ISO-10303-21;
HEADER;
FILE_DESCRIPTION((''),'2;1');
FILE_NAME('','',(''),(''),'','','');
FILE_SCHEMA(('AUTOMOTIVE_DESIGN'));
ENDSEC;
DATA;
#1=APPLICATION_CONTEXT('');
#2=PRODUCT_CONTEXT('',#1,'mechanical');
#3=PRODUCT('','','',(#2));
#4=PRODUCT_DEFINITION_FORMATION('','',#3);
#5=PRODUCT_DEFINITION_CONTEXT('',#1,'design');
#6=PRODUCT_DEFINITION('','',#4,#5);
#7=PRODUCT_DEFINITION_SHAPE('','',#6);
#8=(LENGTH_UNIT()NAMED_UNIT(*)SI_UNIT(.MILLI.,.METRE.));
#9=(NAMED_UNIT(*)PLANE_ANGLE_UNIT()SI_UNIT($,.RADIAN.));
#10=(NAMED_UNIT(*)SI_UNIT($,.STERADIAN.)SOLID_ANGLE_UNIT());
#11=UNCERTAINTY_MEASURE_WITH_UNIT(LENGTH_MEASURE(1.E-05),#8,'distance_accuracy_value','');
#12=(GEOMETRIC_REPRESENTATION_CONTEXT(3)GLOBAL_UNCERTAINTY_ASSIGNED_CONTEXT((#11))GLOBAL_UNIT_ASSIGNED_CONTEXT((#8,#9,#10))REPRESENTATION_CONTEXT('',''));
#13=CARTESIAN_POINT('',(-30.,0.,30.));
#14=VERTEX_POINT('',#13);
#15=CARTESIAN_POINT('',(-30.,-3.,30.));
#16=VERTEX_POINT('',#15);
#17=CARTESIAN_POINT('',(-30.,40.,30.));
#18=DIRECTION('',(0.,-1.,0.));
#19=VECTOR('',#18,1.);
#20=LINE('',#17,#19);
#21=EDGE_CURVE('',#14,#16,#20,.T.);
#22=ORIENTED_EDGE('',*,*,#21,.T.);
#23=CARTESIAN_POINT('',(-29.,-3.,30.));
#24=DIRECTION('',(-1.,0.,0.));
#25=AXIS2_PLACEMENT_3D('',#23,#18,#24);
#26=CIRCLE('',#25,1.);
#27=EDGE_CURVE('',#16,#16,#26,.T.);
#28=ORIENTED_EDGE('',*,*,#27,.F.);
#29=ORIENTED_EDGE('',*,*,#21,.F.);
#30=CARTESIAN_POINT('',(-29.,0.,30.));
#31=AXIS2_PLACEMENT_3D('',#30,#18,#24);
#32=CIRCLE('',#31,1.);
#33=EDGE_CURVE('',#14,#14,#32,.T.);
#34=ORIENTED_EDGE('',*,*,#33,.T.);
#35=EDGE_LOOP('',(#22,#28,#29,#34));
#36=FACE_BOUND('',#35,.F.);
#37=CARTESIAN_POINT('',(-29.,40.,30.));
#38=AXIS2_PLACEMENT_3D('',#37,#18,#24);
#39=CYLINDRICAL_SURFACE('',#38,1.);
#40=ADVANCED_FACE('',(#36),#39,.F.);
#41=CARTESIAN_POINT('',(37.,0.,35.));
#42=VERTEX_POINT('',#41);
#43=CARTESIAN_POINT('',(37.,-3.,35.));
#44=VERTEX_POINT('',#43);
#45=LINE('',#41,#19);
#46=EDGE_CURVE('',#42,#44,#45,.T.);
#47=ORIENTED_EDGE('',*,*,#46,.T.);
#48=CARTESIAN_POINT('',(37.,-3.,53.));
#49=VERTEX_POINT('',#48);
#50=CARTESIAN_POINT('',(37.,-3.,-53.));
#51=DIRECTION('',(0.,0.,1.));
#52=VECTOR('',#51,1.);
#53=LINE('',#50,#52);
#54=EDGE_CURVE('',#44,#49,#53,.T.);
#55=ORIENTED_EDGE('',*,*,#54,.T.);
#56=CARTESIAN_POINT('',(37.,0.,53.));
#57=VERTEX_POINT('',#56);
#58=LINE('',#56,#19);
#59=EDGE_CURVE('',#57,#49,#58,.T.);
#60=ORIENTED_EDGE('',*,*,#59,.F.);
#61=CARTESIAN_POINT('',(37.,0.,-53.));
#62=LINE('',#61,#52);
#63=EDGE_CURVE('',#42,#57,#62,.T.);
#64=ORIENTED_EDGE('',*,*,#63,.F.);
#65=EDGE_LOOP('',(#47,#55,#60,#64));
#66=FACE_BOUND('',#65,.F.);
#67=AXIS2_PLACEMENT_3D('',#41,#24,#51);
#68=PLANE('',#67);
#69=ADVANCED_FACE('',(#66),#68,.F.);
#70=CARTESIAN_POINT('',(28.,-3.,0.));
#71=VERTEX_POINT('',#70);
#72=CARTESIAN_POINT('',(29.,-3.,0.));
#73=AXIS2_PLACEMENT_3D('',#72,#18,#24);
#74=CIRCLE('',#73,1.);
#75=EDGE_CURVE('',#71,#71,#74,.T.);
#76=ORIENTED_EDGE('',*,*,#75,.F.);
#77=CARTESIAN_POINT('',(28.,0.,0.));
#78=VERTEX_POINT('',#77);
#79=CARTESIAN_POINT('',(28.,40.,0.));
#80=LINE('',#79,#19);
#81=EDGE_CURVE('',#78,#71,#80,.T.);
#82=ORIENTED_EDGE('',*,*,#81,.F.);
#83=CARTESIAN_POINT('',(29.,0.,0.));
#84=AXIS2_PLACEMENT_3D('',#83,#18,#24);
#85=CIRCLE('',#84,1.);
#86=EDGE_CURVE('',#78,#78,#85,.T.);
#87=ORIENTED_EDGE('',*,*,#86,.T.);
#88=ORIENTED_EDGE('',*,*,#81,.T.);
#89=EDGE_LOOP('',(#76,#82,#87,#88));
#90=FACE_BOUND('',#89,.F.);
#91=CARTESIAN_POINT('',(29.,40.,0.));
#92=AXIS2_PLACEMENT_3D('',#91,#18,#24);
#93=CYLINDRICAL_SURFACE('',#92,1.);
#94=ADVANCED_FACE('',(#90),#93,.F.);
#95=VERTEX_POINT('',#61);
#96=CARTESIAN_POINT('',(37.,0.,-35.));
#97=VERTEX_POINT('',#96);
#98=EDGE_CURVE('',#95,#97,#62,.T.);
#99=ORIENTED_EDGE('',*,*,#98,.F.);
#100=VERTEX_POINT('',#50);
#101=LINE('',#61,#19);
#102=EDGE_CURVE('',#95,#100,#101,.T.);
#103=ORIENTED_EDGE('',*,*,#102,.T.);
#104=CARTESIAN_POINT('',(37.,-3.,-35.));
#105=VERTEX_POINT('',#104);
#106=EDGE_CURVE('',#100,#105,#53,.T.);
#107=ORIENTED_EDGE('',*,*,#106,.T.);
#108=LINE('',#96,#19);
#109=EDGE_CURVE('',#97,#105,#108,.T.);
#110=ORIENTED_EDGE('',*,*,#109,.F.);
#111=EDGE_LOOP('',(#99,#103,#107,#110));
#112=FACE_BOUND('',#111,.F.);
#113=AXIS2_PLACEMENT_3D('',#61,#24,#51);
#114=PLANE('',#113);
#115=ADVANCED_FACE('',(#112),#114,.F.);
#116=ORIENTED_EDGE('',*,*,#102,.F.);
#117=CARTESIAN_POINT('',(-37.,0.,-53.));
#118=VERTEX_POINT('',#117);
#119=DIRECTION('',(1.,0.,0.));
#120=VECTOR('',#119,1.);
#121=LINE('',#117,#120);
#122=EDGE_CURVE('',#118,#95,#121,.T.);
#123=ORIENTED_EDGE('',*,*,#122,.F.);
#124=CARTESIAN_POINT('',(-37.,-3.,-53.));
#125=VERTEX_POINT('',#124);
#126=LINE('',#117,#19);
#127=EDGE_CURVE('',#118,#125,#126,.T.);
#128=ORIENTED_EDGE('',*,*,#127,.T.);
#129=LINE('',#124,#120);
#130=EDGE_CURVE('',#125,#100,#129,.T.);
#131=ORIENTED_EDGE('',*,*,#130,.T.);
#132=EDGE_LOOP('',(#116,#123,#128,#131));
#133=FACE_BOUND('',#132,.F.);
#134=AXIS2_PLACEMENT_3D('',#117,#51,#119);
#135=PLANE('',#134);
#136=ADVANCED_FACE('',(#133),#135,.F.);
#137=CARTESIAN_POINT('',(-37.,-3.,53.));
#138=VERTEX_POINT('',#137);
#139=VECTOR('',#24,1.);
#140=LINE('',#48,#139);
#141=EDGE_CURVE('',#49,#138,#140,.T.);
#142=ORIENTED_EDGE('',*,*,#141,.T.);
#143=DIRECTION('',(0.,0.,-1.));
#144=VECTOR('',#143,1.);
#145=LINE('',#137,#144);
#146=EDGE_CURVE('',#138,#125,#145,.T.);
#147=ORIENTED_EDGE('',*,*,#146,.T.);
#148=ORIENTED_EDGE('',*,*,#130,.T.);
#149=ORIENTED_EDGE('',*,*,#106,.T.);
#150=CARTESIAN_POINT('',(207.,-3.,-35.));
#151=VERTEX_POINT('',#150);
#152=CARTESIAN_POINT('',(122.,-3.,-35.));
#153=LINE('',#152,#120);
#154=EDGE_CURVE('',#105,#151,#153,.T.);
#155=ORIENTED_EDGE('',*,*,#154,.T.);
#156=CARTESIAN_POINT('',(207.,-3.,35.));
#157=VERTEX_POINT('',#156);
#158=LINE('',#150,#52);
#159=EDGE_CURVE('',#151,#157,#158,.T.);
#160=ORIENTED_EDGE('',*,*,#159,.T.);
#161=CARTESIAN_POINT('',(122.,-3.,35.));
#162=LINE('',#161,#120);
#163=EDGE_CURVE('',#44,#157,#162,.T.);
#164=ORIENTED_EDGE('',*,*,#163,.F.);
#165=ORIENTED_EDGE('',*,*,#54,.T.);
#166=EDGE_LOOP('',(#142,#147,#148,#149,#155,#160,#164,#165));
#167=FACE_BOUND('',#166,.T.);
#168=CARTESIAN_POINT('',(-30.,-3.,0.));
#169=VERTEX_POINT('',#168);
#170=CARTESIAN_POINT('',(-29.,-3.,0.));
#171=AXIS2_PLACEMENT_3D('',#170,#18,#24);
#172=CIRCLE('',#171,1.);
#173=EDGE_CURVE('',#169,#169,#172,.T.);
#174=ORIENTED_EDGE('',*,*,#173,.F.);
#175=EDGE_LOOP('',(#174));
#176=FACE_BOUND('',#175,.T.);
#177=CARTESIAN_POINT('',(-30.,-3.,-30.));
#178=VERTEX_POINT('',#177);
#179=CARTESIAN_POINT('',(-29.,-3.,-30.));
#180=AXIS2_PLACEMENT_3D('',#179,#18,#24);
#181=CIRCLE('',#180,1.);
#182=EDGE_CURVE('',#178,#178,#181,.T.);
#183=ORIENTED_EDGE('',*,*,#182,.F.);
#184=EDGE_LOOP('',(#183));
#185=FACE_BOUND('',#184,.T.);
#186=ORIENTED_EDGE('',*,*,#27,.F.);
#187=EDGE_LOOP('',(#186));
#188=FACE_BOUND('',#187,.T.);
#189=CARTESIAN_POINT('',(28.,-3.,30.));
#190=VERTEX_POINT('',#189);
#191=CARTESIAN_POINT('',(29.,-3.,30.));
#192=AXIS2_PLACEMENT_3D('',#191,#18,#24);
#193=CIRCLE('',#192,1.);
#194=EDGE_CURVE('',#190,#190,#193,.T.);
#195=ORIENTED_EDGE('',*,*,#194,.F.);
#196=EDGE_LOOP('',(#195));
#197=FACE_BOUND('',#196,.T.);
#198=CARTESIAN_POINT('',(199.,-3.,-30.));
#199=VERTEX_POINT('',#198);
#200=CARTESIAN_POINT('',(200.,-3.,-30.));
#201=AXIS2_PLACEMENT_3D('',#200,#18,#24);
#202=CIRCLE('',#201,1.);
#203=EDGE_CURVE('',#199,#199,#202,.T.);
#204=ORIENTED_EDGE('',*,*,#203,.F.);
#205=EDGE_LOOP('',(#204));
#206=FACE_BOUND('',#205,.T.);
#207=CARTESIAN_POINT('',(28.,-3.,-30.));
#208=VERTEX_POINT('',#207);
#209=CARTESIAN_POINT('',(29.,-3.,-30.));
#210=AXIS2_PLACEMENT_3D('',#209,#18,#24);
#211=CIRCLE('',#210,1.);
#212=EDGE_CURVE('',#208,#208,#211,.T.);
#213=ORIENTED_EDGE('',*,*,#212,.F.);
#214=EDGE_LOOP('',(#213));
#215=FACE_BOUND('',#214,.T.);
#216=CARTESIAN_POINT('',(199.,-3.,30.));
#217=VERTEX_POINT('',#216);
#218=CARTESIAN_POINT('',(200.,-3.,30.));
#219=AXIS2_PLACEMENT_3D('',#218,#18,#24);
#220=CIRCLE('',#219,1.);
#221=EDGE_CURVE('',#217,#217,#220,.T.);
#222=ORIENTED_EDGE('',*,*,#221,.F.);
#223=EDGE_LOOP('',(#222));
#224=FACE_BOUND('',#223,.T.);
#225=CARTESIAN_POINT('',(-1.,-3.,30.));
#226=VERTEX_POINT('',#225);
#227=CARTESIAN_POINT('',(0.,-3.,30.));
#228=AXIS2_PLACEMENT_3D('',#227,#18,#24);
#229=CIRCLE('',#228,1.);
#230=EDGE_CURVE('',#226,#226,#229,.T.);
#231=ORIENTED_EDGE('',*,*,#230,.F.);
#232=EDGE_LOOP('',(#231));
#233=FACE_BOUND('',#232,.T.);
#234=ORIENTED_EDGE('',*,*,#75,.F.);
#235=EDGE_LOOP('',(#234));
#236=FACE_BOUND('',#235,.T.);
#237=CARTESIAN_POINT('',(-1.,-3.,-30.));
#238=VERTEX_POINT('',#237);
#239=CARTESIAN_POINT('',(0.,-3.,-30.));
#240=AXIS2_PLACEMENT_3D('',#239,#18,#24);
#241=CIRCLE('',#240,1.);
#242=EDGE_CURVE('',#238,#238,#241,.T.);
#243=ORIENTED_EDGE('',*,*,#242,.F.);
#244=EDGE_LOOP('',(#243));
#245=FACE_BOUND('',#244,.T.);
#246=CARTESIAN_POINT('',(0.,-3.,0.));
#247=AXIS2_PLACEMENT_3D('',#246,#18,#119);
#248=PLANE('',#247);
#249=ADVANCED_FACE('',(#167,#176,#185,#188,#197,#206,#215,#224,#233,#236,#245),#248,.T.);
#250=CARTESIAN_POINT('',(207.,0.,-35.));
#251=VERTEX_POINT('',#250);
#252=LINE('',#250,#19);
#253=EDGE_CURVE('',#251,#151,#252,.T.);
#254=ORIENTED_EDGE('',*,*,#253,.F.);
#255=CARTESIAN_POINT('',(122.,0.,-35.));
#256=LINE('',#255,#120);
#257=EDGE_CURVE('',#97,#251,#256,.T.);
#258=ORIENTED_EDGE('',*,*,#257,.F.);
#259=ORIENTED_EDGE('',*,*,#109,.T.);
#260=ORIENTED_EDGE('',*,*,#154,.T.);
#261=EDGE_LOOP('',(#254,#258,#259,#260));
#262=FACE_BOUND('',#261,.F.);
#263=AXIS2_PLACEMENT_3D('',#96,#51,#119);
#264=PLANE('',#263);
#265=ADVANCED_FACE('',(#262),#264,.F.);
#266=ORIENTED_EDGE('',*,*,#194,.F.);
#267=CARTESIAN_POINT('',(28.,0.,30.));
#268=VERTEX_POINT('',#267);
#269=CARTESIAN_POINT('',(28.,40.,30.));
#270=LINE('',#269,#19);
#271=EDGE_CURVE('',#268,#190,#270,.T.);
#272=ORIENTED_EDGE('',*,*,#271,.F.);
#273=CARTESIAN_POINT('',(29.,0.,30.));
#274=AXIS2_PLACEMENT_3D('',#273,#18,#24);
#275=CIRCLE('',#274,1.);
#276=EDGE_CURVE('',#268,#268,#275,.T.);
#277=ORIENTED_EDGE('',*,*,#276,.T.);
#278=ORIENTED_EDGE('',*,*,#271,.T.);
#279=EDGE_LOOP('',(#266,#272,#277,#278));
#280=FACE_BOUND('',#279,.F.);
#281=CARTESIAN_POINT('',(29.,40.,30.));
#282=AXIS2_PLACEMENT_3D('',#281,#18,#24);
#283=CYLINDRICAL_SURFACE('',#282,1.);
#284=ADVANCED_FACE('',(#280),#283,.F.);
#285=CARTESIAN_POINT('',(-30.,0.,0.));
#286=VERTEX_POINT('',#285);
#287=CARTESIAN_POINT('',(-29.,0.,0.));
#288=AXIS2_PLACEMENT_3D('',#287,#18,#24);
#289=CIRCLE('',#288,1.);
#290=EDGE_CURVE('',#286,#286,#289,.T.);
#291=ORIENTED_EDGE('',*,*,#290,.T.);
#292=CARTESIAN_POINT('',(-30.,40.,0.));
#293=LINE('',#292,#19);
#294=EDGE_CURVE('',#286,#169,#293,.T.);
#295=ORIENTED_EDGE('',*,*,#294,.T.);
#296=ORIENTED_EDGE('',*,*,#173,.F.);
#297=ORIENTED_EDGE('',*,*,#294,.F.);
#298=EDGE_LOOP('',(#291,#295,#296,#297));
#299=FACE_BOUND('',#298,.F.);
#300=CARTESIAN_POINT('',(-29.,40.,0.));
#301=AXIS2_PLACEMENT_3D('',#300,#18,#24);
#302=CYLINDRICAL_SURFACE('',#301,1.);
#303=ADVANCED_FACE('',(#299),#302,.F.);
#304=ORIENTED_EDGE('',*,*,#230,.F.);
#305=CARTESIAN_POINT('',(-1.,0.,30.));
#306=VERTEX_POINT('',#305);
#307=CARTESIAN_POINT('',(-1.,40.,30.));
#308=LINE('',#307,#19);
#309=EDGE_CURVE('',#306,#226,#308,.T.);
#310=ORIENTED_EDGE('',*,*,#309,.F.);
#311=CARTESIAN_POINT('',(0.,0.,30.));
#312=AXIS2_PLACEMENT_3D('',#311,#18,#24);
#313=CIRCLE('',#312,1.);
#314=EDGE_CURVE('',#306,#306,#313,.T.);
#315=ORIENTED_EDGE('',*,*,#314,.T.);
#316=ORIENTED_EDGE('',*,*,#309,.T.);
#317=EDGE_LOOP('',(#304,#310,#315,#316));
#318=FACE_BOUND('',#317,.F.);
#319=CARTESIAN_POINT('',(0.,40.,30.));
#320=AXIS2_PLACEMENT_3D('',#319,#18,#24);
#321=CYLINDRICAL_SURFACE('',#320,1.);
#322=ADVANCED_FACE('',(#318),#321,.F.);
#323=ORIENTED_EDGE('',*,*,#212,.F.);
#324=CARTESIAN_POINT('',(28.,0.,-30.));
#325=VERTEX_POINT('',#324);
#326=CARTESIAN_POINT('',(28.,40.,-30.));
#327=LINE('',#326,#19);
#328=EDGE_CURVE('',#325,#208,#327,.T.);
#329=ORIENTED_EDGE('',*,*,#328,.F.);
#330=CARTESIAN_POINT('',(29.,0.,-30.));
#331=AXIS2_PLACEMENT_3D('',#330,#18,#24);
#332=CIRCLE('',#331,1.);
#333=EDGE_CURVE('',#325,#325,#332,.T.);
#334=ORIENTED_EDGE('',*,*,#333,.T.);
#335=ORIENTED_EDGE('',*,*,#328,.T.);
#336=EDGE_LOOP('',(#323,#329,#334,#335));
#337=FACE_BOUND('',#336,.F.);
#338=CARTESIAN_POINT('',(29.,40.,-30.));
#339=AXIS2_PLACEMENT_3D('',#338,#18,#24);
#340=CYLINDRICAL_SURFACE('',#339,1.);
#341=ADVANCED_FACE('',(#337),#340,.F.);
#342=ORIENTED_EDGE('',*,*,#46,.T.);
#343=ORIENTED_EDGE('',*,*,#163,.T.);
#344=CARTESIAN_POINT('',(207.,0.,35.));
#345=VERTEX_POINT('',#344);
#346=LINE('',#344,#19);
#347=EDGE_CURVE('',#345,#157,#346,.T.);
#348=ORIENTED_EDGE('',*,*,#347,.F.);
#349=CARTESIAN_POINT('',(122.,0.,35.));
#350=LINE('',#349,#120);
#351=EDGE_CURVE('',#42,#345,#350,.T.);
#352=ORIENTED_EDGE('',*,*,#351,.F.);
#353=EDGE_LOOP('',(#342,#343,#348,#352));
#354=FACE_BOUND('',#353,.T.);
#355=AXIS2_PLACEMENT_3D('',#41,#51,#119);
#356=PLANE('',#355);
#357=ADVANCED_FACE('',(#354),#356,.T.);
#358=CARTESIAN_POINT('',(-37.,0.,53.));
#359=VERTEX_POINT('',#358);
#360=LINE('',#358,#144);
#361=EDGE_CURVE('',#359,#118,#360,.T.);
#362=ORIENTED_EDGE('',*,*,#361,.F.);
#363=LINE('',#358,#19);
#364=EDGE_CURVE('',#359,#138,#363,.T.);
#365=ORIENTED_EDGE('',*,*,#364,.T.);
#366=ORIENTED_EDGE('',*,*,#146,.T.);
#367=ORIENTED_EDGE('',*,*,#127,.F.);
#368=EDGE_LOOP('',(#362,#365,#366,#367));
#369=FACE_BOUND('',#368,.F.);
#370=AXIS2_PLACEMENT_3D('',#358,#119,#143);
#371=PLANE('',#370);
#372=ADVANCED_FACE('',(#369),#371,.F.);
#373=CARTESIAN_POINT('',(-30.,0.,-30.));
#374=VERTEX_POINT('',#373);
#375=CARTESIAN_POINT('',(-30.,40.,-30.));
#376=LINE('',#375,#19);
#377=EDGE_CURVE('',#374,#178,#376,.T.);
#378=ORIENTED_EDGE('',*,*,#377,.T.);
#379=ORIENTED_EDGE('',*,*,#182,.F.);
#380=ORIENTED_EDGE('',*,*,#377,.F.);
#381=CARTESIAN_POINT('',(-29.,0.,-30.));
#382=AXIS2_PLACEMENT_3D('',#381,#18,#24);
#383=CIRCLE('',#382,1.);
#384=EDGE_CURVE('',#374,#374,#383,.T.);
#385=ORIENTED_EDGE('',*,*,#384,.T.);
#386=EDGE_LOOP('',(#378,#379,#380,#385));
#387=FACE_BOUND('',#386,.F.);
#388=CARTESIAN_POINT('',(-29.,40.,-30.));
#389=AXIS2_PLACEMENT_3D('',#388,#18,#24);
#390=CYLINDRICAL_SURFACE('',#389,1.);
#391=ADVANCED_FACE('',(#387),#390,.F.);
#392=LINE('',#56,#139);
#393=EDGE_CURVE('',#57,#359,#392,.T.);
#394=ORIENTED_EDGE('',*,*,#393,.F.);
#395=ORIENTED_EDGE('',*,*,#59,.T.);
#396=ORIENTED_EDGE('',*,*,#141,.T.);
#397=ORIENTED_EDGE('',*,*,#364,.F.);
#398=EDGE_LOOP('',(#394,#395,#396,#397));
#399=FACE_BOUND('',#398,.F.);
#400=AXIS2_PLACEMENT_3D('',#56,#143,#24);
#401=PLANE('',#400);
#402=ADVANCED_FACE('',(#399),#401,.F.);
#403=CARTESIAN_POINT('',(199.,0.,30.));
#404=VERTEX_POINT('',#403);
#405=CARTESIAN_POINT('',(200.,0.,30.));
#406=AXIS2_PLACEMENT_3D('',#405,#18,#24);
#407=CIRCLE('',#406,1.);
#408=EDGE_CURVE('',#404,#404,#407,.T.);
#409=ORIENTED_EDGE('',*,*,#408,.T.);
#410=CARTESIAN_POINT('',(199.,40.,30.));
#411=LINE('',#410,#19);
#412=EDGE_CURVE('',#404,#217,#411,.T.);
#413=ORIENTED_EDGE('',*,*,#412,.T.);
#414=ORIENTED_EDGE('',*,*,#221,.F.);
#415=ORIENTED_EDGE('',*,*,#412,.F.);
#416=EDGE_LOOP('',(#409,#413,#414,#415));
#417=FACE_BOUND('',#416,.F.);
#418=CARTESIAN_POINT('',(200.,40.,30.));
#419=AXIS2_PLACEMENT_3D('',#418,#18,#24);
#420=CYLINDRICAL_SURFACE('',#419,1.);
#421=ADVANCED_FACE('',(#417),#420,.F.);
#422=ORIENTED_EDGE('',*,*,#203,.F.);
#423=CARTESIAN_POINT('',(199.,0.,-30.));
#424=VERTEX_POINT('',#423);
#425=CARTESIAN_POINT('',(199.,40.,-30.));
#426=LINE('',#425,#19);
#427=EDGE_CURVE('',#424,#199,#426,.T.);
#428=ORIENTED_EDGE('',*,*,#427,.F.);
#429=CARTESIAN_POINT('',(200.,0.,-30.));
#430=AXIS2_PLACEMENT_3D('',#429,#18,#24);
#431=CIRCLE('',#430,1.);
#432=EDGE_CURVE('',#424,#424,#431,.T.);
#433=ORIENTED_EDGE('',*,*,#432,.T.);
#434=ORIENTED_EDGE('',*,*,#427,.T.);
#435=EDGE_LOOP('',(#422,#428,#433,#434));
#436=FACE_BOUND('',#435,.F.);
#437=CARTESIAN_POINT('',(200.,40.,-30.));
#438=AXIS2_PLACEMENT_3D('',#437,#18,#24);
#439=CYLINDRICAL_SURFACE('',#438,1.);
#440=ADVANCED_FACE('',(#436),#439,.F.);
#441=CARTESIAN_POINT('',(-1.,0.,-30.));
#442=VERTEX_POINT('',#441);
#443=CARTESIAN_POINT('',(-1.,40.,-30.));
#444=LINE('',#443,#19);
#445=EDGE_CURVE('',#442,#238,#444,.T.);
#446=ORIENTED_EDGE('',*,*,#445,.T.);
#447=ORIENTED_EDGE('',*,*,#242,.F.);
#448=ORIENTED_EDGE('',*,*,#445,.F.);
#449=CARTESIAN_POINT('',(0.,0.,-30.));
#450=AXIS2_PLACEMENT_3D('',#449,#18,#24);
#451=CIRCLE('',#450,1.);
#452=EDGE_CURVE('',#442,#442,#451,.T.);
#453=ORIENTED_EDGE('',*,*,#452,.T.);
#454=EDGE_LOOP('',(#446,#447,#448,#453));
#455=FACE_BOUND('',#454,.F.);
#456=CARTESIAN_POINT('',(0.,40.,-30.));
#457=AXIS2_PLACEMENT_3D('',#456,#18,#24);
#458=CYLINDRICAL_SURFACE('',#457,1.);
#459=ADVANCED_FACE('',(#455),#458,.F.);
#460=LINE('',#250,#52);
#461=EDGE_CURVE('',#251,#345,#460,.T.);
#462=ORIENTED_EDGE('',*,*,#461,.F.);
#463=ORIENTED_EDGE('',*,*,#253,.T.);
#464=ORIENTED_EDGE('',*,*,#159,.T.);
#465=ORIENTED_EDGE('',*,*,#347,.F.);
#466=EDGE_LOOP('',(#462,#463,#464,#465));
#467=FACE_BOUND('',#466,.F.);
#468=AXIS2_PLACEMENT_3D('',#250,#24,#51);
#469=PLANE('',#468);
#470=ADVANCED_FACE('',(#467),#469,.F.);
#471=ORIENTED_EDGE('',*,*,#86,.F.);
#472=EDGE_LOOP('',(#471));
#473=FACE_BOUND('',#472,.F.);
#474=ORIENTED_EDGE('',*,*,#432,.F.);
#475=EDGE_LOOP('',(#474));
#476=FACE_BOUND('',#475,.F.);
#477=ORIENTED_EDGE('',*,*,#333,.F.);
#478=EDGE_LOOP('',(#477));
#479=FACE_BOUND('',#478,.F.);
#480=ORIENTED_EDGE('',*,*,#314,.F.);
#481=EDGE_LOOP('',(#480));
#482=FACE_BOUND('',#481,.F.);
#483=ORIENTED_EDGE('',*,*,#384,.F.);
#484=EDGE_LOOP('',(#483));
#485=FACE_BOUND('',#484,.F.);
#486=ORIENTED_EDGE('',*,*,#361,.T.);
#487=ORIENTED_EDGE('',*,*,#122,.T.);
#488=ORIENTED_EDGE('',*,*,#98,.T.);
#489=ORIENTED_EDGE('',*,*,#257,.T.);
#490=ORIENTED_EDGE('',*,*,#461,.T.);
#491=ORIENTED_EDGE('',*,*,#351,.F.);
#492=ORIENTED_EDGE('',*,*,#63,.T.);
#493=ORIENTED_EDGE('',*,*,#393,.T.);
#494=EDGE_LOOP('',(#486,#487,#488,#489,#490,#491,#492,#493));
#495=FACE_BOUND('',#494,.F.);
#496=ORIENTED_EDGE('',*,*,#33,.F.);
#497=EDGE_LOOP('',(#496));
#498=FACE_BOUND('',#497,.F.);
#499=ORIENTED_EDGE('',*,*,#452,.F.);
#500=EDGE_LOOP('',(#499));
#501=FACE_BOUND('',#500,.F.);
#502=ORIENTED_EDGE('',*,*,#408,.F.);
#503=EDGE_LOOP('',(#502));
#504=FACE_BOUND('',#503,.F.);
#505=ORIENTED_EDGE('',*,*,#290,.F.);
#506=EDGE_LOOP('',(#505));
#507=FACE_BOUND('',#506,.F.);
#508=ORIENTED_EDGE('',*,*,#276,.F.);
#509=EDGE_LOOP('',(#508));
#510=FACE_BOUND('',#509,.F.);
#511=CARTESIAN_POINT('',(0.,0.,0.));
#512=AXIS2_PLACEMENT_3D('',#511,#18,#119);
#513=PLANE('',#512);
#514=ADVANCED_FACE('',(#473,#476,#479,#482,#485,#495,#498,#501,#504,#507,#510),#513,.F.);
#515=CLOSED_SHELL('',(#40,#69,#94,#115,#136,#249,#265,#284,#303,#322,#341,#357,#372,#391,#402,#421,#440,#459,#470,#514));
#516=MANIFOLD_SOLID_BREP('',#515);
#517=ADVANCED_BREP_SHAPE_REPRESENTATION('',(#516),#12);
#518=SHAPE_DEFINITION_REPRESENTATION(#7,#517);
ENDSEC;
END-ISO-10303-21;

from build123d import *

# Parameters (mm, degrees)
F0_W     = 170
F0_H     = 35
F1_DEPTH = 3
F2_D     = 2
F2_DEPTH = 40
F3_D     = 2
F3_DEPTH = 40
F5_D     = 2
F5_DEPTH = 40


with BuildPart() as f1:
    # F0 (on Front) → F1 (new body)
    with BuildSketch(Plane.XZ):
        Polygon((37, 35), (37, 53), (-37, 53), (-37, -53), (37, -53), (37, -35), (37, 0), align=None)
        with Locations((122, -17.5)):
            Rectangle(F0_W, F0_H)
        with Locations((122, 17.5)):
            Rectangle(F0_W, F0_H)
    extrude(amount=F1_DEPTH)

    # F2
    with Locations(Plane(origin=(0, 0, 0), x_dir=(1, 0, 0), z_dir=(0, 1, 0))):
        with Locations((-29, 0), (29, 0)):
            Hole(F2_D / 2, depth=F2_DEPTH)

    # F3
    with Locations(Plane(origin=(0, 0, 0), x_dir=(1, 0, 0), z_dir=(0, 1, 0))):
        with Locations((29, -30), (-29, -30), (29, 30), (-29, 30)):
            Hole(F3_D / 2, depth=F3_DEPTH)

    # F5
    with Locations(Plane(origin=(0, 0, 0), x_dir=(1, 0, 0), z_dir=(0, 1, 0))):
        with Locations((0, -30), (0, 30), (200, -30), (200, 30)):
            Hole(F5_D / 2, depth=F5_DEPTH)


solid = f1.part
